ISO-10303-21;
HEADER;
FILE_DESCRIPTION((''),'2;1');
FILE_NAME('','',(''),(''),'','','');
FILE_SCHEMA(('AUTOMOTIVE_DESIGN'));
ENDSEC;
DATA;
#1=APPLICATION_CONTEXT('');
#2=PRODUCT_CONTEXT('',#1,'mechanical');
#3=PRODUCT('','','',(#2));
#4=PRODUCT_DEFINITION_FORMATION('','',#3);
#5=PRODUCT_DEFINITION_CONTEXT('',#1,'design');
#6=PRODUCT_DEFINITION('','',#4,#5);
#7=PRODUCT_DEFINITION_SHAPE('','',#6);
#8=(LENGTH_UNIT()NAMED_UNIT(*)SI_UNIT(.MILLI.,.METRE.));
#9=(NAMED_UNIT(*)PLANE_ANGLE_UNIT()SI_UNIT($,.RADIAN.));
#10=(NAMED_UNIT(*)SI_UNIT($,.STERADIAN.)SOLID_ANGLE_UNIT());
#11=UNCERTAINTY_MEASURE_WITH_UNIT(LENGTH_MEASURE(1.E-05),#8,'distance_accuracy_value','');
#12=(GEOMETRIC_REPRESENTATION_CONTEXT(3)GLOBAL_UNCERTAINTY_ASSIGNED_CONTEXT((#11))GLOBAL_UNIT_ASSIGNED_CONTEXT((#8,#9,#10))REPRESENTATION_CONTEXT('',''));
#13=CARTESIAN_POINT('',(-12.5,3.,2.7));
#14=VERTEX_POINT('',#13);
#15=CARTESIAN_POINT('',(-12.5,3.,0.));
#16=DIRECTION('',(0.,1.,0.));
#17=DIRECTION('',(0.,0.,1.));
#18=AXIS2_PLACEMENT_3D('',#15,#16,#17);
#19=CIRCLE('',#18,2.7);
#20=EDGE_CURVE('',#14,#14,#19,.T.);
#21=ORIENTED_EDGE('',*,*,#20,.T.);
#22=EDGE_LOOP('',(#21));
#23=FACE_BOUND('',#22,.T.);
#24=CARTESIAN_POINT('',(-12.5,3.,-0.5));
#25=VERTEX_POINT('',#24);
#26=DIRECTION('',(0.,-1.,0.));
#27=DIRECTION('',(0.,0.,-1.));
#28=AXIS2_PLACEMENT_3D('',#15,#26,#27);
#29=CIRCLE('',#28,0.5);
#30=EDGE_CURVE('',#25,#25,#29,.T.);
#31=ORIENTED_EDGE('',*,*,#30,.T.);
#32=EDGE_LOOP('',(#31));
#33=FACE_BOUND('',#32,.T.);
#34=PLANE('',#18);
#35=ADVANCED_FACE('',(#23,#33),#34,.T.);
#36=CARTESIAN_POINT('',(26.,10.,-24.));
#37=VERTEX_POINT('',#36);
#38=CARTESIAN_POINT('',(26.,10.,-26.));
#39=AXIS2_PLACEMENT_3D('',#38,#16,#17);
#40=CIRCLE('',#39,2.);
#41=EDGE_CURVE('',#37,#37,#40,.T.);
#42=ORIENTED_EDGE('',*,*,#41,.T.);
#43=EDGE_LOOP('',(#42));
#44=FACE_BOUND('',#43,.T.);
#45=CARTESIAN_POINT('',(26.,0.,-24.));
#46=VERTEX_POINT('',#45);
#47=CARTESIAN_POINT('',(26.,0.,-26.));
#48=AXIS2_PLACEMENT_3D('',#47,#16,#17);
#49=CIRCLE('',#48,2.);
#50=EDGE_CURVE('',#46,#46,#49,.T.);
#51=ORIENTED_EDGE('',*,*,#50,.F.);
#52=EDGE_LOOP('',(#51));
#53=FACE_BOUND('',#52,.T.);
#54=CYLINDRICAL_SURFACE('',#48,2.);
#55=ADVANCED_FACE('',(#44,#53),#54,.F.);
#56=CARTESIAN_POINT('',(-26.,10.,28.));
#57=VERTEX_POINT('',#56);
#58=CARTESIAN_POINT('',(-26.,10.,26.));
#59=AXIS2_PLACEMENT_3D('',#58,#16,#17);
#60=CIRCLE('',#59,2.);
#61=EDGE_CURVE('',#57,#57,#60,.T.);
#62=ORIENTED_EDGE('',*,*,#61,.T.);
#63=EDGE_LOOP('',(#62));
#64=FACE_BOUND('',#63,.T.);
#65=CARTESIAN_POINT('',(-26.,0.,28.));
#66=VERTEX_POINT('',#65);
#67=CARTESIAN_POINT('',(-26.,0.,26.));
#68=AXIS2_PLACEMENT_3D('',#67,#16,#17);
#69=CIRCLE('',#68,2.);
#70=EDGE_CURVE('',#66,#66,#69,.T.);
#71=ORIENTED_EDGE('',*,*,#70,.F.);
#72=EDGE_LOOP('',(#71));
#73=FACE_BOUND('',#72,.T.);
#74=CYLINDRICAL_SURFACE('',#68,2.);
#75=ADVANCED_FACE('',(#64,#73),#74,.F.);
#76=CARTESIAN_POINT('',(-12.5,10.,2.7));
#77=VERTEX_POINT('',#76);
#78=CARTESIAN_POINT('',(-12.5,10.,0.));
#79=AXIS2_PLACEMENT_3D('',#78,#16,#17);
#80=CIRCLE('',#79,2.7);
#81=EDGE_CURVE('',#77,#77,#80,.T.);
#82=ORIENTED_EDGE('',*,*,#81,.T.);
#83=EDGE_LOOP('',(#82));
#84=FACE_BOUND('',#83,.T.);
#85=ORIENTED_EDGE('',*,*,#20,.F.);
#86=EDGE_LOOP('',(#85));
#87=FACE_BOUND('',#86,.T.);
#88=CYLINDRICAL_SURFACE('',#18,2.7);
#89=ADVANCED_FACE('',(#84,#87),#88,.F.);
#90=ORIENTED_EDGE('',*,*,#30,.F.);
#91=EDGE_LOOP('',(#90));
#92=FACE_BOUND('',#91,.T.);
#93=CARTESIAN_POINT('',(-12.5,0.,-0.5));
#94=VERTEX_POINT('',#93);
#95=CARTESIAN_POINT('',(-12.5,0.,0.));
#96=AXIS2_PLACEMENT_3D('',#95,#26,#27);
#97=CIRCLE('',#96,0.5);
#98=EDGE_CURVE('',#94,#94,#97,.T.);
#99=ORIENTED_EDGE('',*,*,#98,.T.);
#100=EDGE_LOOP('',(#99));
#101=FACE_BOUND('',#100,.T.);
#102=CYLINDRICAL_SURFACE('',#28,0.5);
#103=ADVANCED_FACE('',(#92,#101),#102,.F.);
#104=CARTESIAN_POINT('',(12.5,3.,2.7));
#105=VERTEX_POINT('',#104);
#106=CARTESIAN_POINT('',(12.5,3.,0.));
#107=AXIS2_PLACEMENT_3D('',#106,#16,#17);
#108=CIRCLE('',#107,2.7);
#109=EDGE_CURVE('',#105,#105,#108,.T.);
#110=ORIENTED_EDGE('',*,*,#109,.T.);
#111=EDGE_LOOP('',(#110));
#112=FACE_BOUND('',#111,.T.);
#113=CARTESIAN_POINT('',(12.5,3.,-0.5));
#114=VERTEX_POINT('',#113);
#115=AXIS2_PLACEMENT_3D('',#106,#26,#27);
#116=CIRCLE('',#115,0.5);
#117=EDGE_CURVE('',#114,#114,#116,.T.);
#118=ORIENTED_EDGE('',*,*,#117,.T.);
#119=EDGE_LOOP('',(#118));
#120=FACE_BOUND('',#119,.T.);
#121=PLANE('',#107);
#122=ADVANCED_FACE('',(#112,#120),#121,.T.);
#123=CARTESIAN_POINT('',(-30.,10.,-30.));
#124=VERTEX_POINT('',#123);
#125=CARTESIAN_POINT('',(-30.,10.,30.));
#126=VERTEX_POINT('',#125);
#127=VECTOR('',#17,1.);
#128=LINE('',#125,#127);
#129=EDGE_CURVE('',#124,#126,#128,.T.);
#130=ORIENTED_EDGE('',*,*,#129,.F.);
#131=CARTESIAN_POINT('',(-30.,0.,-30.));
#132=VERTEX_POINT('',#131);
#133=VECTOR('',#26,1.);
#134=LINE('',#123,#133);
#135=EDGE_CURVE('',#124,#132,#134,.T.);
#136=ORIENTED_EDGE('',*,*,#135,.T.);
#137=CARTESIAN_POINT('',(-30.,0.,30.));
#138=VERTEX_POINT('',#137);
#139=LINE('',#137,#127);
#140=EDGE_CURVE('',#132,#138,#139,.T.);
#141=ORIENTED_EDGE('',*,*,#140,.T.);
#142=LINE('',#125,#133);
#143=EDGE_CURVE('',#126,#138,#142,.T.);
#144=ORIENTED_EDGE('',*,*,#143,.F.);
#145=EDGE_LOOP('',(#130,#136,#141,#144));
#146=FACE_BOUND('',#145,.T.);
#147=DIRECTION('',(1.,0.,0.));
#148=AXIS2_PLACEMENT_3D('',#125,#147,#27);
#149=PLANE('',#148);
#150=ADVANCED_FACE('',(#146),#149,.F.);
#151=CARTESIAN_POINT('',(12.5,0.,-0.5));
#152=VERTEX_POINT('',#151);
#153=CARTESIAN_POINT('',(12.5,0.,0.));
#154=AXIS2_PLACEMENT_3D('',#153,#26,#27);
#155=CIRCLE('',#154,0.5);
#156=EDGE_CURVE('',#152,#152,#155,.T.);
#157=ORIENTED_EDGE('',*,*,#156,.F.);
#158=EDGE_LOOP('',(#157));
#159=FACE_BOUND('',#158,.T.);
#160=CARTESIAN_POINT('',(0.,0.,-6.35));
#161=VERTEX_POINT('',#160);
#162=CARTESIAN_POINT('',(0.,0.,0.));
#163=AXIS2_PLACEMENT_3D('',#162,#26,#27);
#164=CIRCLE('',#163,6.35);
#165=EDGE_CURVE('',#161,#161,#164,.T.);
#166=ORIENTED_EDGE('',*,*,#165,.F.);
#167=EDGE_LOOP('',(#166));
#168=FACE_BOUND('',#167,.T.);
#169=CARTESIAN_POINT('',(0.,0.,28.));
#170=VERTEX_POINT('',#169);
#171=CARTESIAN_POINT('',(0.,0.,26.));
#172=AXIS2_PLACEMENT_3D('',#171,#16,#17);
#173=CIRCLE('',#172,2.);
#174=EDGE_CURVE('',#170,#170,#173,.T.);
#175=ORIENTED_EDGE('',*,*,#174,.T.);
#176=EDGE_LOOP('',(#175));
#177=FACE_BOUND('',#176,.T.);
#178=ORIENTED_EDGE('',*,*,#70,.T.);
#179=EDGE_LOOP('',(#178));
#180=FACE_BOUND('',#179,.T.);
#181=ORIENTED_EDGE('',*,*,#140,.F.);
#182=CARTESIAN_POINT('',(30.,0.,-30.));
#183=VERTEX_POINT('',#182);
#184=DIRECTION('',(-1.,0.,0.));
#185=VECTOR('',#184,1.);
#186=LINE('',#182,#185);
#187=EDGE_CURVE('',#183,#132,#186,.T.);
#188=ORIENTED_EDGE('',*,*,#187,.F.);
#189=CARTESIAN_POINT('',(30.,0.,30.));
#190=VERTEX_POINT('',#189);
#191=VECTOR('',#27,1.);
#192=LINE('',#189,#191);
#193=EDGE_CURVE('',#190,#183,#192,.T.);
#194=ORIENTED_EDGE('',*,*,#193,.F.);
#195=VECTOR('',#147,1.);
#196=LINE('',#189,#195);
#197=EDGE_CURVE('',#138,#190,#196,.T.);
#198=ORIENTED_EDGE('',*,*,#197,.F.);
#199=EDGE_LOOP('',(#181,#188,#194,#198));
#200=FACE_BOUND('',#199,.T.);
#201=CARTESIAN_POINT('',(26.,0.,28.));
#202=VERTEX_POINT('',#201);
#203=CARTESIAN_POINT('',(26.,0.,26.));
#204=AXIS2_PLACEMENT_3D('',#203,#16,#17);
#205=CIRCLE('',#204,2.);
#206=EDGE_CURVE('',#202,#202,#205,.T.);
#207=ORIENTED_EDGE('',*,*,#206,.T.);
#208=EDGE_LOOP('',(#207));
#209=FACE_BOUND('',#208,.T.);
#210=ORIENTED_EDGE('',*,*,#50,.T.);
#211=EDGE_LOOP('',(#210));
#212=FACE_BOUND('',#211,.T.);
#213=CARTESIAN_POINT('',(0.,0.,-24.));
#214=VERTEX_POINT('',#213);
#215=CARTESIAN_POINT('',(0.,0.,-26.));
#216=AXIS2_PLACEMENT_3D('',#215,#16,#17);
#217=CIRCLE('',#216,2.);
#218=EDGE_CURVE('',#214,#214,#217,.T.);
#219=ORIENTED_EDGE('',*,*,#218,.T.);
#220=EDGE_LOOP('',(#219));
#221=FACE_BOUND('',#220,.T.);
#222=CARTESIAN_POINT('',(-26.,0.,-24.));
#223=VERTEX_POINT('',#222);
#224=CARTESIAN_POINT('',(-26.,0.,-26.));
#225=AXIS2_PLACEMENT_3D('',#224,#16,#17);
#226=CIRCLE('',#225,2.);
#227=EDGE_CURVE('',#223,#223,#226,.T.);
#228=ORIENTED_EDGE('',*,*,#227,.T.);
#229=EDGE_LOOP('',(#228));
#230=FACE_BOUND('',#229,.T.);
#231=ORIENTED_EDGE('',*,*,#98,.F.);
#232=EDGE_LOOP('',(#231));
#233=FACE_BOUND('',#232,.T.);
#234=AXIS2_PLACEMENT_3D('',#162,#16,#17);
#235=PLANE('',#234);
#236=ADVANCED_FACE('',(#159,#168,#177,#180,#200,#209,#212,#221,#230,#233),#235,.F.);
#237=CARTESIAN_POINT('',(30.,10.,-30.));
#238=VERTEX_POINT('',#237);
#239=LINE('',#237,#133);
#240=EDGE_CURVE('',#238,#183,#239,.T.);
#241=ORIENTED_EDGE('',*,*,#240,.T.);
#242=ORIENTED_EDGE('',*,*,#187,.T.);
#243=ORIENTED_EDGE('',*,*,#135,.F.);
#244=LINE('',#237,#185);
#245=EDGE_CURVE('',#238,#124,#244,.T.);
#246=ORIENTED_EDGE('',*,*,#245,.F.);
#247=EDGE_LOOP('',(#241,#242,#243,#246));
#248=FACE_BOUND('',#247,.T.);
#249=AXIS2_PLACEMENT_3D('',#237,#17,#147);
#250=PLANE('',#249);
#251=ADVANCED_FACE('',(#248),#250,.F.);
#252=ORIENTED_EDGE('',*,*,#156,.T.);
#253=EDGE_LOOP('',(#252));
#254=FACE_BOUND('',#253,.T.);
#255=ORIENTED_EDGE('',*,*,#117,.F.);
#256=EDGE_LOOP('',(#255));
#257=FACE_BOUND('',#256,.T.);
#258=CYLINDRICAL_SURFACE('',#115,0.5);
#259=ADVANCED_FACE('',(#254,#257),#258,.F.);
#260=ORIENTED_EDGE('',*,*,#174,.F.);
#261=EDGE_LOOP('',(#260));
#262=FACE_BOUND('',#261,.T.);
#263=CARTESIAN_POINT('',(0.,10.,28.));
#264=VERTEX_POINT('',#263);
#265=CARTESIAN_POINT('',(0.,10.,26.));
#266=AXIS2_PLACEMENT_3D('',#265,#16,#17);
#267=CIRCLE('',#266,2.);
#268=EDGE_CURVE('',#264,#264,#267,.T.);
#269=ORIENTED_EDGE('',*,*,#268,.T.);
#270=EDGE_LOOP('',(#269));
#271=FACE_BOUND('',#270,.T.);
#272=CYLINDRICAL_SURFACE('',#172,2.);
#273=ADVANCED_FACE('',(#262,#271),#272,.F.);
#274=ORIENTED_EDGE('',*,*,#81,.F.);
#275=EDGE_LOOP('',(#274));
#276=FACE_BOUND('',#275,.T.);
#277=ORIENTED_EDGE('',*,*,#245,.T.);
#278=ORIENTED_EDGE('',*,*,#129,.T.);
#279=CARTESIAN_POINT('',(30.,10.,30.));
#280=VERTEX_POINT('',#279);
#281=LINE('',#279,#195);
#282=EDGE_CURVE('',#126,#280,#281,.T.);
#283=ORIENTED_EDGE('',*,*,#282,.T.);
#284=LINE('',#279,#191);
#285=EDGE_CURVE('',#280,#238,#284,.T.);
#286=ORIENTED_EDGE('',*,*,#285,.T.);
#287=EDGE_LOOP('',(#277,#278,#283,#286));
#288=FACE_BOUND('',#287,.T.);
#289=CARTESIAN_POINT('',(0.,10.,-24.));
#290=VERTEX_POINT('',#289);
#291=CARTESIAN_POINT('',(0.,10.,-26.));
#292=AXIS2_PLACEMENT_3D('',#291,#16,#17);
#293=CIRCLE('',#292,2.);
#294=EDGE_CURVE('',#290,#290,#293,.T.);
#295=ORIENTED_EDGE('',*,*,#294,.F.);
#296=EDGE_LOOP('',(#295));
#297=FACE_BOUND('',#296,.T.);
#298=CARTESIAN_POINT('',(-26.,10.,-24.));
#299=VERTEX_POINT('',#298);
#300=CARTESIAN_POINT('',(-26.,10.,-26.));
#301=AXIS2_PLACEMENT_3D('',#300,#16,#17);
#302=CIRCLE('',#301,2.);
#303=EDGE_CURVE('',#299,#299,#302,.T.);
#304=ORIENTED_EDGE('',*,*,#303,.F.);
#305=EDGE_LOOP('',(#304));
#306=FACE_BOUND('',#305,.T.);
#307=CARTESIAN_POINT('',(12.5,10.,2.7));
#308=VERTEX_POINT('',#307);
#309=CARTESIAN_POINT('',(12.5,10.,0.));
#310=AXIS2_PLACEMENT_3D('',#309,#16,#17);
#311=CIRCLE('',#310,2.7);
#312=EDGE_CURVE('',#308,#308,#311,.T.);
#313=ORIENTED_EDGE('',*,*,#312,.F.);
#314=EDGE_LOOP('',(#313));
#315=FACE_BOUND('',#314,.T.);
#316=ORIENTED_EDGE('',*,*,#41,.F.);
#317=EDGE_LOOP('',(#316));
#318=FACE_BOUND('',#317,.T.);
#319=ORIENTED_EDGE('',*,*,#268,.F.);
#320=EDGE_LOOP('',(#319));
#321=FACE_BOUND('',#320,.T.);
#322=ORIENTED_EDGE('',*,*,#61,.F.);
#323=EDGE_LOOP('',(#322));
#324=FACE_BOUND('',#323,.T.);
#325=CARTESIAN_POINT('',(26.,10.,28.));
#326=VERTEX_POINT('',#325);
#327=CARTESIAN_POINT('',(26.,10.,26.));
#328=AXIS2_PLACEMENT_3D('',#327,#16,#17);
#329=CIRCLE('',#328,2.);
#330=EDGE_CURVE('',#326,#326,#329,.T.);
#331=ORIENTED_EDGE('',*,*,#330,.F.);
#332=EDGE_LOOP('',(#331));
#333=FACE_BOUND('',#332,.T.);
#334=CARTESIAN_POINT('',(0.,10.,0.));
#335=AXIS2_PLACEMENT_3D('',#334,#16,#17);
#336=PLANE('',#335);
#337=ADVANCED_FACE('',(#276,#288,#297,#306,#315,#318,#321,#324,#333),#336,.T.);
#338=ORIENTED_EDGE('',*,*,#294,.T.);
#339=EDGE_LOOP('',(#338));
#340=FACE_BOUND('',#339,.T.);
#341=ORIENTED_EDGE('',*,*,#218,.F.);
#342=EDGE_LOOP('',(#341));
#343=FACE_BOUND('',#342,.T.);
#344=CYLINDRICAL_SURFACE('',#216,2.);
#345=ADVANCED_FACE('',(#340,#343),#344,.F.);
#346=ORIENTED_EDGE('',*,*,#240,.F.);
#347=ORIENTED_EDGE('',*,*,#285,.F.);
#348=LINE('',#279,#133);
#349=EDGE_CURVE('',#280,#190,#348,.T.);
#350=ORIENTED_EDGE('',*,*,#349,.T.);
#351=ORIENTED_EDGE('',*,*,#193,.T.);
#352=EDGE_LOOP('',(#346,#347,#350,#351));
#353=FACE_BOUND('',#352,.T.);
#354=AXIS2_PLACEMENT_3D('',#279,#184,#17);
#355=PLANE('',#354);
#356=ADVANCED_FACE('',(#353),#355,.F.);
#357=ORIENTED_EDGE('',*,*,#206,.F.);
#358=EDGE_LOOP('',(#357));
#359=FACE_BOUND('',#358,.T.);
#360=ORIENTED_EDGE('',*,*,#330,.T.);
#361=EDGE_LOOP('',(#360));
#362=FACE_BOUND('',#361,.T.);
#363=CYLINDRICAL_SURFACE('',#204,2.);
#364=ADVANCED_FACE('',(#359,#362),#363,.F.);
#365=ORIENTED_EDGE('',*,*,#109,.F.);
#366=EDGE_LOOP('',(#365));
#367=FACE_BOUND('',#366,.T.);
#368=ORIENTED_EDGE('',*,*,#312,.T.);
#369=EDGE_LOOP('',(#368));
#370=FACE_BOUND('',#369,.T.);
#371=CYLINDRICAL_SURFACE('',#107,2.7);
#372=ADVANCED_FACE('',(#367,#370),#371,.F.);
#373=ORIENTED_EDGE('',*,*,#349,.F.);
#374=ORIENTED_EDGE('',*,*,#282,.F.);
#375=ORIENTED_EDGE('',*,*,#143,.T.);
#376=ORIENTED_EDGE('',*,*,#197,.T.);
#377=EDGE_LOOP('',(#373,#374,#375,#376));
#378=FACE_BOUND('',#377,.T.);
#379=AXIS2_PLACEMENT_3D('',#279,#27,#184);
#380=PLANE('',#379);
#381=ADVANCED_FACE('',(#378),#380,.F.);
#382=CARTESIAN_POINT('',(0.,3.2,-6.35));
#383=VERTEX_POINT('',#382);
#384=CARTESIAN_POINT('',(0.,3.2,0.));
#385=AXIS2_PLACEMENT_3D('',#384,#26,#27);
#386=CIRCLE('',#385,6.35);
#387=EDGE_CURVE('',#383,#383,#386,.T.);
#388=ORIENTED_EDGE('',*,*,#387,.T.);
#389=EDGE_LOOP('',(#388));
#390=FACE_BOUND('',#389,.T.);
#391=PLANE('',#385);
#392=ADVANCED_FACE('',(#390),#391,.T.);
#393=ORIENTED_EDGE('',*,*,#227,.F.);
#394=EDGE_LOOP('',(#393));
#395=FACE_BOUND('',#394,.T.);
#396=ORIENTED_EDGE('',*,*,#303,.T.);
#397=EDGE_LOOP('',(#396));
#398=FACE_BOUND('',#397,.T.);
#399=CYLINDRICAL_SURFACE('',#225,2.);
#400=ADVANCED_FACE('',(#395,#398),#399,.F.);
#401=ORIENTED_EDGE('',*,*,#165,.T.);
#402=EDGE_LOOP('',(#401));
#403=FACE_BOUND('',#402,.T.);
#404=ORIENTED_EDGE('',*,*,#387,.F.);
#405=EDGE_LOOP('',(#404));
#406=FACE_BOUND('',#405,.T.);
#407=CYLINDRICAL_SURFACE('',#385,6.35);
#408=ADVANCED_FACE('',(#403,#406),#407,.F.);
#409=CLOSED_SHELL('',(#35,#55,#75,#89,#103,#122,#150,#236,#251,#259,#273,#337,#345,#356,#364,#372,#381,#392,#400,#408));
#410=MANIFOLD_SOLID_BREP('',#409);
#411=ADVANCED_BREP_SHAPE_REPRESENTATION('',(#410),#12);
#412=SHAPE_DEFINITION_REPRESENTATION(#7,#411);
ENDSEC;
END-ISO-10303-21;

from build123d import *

# Parameters (mm, degrees)
SKETCH2_W           = 60
SKETCH2_H           = 60
BOSS_EXTRUDE1_DEPTH = 10
SKETCH3_R           = 2
CUT_EXTRUDE1_DEPTH  = 10
SKETCH4_R           = 6.35
CUT_EXTRUDE2_DEPTH  = 3.2
SKETCH5_R           = 2.7
CUT_EXTRUDE3_DEPTH  = 7
SKETCH6_R           = 0.5
CUT_EXTRUDE4_DEPTH  = 3


with BuildPart() as part:
    # Sketch2 → Boss-Extrude1 (new body)
    with BuildSketch(Plane(origin=(0, 0, 0), x_dir=(1, 0, 0), z_dir=(0, 1, 0))):
        Rectangle(SKETCH2_W, SKETCH2_H)
    extrude(amount=BOSS_EXTRUDE1_DEPTH)

    # Sketch3 → Cut-Extrude1 (cut)
    with BuildSketch(Plane(origin=(0, 10, 0), x_dir=(1, 0, 0), z_dir=(0, 1, 0))):
        with Locations((-26, 26)):
            Circle(SKETCH3_R)
        with Locations((-26, -26)):
            Circle(SKETCH3_R)
        with Locations((0, -26)):
            Circle(SKETCH3_R)
        with Locations((26, -26)):
            Circle(SKETCH3_R)
        with Locations((26, 26)):
            Circle(SKETCH3_R)
        with Locations((0, 26)):
            Circle(SKETCH3_R)
    extrude(amount=-CUT_EXTRUDE1_DEPTH, mode=Mode.SUBTRACT)

    # Sketch4 → Cut-Extrude2 (cut)
    with BuildSketch(Plane.XZ):
        Circle(SKETCH4_R)
    extrude(amount=-CUT_EXTRUDE2_DEPTH, mode=Mode.SUBTRACT)

    # Sketch5 → Cut-Extrude3 (cut)
    with BuildSketch(Plane(origin=(0, 10, 0), x_dir=(1, 0, 0), z_dir=(0, 1, 0))):
        with Locations((12.5, 0)):
            Circle(SKETCH5_R)
        with Locations((-12.5, 0)):
            Circle(SKETCH5_R)
    extrude(amount=-CUT_EXTRUDE3_DEPTH, mode=Mode.SUBTRACT)

    # Sketch6 → Cut-Extrude4 (cut)
    with BuildSketch(Plane.XZ):
        with Locations((12.5, 0)):
            Circle(SKETCH6_R)
        with Locations((-12.5, 0)):
            Circle(SKETCH6_R)
    extrude(amount=-CUT_EXTRUDE4_DEPTH, mode=Mode.SUBTRACT)


solid = part.part
